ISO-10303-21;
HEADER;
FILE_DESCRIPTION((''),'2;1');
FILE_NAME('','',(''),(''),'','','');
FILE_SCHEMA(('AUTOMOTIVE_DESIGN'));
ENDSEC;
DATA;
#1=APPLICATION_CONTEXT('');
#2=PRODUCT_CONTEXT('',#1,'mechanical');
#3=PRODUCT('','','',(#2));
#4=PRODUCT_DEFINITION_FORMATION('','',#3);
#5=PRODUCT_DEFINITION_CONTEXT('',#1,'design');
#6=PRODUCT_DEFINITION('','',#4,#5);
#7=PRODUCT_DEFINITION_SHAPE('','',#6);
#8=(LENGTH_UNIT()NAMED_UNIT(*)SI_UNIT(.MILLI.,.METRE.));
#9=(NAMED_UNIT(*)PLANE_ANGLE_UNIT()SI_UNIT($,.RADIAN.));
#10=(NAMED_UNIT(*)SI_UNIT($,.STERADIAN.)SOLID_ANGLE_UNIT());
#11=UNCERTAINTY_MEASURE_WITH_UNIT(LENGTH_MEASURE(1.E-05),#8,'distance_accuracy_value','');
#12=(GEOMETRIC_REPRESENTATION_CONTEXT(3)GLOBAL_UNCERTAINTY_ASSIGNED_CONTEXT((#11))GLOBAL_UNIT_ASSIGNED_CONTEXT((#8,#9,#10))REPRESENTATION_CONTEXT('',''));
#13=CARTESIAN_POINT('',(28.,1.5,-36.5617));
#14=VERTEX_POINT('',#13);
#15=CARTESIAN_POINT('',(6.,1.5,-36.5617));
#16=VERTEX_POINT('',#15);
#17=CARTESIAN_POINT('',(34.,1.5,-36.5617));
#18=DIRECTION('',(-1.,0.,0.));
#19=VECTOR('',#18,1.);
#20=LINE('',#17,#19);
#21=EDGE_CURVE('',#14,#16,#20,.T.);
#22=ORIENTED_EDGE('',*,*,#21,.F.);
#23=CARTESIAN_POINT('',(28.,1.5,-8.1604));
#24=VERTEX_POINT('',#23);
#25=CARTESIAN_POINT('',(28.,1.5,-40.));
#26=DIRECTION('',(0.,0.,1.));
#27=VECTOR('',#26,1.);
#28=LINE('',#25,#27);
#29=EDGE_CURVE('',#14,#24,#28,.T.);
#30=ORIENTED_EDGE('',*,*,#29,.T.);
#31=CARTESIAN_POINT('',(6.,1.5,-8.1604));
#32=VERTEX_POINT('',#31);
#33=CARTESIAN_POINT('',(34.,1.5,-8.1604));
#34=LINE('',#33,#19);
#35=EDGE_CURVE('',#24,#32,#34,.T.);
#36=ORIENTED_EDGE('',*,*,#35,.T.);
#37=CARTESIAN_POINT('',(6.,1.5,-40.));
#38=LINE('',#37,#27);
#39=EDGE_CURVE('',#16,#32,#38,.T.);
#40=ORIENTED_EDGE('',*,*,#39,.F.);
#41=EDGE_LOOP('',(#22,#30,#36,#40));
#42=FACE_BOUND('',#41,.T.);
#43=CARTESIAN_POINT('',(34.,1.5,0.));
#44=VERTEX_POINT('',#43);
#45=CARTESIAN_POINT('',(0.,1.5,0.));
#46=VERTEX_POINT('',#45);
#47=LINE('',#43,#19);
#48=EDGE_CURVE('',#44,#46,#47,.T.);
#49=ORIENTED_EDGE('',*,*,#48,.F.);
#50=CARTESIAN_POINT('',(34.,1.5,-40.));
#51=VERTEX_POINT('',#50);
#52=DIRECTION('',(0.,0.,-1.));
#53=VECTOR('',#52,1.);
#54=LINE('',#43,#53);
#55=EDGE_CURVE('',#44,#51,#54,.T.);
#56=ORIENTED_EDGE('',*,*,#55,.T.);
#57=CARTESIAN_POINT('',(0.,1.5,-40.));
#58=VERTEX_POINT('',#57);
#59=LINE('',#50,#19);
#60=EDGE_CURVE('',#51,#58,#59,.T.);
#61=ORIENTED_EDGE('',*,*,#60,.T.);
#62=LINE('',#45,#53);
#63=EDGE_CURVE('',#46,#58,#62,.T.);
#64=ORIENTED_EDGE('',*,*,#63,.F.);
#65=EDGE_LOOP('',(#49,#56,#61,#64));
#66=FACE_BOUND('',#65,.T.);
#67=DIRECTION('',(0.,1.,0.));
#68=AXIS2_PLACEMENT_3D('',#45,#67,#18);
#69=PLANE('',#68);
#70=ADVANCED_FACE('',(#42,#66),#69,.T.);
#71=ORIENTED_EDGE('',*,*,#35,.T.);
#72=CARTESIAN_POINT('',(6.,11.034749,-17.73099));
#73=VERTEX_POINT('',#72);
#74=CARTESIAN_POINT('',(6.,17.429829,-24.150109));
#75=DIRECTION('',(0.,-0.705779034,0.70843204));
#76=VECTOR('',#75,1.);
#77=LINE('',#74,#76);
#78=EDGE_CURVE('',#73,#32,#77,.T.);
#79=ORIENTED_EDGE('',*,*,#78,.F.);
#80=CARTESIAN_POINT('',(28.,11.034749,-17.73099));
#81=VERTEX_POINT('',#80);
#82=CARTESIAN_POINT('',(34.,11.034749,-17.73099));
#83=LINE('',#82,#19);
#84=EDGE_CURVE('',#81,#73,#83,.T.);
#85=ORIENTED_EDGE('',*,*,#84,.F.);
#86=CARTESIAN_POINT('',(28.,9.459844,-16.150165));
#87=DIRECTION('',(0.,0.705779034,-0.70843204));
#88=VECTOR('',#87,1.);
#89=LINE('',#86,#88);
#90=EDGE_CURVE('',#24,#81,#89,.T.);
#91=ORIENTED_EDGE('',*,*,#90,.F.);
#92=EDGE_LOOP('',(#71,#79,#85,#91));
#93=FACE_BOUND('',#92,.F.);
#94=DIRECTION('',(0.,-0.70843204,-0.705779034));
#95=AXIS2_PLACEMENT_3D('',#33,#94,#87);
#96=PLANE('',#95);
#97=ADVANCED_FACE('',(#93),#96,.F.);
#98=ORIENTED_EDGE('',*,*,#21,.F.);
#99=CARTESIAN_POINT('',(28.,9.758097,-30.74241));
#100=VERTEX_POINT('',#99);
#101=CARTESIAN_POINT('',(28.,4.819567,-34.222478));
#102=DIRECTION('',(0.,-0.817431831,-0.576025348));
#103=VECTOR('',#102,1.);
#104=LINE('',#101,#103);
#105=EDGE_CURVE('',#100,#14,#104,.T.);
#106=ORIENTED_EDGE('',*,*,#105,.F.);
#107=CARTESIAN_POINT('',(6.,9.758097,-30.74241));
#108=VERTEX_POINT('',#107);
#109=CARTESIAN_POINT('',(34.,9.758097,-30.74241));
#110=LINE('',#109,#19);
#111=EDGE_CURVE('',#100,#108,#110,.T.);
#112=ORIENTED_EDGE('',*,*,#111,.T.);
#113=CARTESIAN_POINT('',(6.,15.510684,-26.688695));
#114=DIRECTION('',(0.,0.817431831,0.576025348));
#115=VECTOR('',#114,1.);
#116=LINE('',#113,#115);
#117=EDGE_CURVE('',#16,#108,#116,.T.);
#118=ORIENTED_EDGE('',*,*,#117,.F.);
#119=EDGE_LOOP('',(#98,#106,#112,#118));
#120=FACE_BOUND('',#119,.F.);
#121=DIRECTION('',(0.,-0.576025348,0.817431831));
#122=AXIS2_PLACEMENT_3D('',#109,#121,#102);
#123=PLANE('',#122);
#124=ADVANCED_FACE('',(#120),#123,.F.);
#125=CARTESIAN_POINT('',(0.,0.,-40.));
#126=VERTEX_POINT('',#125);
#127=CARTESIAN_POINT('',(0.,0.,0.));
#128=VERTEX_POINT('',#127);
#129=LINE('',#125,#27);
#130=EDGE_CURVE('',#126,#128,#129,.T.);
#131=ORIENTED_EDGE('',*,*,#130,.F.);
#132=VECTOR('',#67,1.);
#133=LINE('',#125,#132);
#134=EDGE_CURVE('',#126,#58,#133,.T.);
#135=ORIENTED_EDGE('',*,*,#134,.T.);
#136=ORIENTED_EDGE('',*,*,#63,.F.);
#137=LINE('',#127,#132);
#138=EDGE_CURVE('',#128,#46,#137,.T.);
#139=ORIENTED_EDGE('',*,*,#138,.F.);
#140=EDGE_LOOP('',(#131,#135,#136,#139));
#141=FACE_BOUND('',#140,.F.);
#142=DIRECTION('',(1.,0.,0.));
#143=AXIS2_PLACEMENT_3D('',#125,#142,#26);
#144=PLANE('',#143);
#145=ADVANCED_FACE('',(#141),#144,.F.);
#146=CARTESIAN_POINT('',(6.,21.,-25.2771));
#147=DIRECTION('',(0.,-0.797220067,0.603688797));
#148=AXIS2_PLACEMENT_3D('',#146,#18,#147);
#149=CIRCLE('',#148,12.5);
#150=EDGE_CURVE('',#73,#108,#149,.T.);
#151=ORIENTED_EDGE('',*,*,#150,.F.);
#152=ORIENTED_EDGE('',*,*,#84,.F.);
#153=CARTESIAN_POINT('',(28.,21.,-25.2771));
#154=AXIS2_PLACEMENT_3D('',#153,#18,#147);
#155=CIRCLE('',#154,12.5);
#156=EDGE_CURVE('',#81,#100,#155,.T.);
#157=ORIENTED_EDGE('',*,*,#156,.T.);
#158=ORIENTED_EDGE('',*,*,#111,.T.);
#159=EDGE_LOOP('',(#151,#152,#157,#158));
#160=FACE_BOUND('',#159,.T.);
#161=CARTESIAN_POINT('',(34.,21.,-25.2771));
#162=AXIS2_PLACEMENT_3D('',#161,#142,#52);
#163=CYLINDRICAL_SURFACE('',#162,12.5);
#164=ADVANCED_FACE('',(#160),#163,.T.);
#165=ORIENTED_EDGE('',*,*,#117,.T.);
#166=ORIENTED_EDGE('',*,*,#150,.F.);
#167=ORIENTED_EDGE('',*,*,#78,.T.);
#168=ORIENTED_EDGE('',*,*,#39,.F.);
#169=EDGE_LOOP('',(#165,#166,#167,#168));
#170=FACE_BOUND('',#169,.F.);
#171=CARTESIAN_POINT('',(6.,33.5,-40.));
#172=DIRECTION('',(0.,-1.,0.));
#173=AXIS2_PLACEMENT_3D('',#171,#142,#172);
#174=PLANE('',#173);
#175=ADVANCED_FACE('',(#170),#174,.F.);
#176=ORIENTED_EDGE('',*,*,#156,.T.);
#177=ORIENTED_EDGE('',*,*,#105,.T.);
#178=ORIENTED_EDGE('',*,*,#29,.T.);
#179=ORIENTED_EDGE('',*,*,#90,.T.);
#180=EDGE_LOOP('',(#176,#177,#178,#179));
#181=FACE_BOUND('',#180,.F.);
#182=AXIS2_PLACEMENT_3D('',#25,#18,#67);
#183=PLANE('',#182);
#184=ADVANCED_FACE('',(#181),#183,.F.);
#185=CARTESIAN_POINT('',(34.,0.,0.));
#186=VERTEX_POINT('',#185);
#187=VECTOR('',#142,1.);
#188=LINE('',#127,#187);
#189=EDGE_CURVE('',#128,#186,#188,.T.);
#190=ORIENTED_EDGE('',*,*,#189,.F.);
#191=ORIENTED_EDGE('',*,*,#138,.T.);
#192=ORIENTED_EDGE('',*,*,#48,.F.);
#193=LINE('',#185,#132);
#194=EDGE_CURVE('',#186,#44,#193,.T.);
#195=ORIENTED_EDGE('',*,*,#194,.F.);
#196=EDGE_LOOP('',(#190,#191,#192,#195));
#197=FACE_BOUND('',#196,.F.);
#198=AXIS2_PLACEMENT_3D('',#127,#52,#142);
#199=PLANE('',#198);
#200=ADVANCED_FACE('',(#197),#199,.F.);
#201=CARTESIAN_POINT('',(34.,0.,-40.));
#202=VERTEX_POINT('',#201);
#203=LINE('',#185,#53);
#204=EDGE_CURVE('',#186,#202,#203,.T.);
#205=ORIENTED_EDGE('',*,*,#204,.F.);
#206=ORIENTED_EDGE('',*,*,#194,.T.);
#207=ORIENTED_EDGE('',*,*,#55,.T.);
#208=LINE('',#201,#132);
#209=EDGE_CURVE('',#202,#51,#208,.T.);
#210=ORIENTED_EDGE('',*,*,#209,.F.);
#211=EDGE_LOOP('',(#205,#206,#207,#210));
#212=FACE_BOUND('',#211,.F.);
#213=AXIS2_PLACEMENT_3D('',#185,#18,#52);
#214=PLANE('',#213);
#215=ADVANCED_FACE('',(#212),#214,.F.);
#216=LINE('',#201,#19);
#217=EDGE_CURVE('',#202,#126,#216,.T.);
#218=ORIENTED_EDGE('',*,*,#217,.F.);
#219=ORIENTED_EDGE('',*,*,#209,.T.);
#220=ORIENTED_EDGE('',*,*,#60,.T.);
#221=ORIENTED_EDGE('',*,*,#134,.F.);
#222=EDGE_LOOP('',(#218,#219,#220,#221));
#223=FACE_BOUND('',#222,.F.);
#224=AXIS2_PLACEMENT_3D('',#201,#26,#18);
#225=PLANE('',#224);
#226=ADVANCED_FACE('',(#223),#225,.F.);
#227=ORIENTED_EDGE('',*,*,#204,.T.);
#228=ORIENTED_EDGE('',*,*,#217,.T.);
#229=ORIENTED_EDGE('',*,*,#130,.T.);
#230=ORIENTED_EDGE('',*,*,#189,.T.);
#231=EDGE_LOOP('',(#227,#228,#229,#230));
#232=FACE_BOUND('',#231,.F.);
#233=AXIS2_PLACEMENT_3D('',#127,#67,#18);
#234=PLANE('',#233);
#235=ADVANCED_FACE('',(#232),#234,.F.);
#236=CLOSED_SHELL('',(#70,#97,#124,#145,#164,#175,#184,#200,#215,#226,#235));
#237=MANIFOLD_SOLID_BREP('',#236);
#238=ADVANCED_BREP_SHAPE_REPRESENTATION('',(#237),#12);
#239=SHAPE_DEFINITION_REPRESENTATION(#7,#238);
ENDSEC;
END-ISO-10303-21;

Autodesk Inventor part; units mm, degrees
ref_plane "YZ Plane" through (0, 0, 0) normal (1, 0, 0) x (0, 1, 0)
ref_plane "XZ Plane" through (0, 0, 0) normal (0, 1, 0) x (-1, 0, 0)
ref_plane "XY Plane" through (0, 0, 0) normal (0, 0, 1) x (1, 0, 0)
sketch "Sketch1" plane through (0, 0, 0) normal (0, 1, 0) x (-1, 0, 0)
  line L0 (0, 0) -> (-34, 0)
  line L1 (-34, 0) -> (-34, -40)
  line L2 (-34, -40) -> (0, -40)
  line L3 (0, -40) -> (0, 0)
  dimension "d0" = 40
  dimension "d1" = 34
extrude "Extrusion1" add sketch "Sketch1" along normal blind 1.5
sketch "Sketch2" plane through (34, 0, 0) normal (1, 0, 0) x (0, 0, -1)
  line L0 (0, 1.5) -> (40, 1.5) projected
  line L1 (8.1604, 1.5) -> (27.7337, 21)
  line L2 (27.7337, 21) -> (22.8205, 21)
  line L3 (22.8205, 21) -> (36.5617, 1.5)
  circle A0 centre (25.2771, 21) radius 12.5
  line L4 (0, 0) -> (40, 0) projected
  point P0 (17.731, 11.0347)
  point P1 (30.7424, 9.7581)
  dimension "d4" = 25
  dimension "d5" = 21
extrude "Extrusion2" add sketch "Sketch2" against normal up to surface (34 mm away) contours L1 A0 L3 L0 | L3 L2 L1 | A0 L3 L1 | L1 L3 A0
sketch "Sketch3" plane through (34, 0, -40) normal (0, 0, -1) x (-1, 0, 0)
  line L0 (34, 1.5) -> (0, 1.5) projected
  line L1 (0, 33.5) -> (34, 33.5) projected
  line L2 (0, 1.5) -> (6, 1.5)
  line L3 (6, 1.5) -> (6, 33.5)
  line L4 (6, 33.5) -> (0, 33.5)
  line L5 (0, 33.5) -> (0, 1.5)
  line L6 (34, 33.5) -> (28, 33.5)
  line L7 (28, 33.5) -> (28, 1.5)
  line L8 (28, 1.5) -> (34, 1.5)
  line L9 (34, 1.5) -> (34, 33.5)
  point P0 (34, 0)
  point P1 (28, 1.5)
  dimension "d8" = 6
  dimension "d9" = 6
extrude "Extrusion3" cut sketch "Sketch3" against normal through all contours L0 L7 L1 L9 | L0 L5 L1 L3
properties part number "Rueda loca"
